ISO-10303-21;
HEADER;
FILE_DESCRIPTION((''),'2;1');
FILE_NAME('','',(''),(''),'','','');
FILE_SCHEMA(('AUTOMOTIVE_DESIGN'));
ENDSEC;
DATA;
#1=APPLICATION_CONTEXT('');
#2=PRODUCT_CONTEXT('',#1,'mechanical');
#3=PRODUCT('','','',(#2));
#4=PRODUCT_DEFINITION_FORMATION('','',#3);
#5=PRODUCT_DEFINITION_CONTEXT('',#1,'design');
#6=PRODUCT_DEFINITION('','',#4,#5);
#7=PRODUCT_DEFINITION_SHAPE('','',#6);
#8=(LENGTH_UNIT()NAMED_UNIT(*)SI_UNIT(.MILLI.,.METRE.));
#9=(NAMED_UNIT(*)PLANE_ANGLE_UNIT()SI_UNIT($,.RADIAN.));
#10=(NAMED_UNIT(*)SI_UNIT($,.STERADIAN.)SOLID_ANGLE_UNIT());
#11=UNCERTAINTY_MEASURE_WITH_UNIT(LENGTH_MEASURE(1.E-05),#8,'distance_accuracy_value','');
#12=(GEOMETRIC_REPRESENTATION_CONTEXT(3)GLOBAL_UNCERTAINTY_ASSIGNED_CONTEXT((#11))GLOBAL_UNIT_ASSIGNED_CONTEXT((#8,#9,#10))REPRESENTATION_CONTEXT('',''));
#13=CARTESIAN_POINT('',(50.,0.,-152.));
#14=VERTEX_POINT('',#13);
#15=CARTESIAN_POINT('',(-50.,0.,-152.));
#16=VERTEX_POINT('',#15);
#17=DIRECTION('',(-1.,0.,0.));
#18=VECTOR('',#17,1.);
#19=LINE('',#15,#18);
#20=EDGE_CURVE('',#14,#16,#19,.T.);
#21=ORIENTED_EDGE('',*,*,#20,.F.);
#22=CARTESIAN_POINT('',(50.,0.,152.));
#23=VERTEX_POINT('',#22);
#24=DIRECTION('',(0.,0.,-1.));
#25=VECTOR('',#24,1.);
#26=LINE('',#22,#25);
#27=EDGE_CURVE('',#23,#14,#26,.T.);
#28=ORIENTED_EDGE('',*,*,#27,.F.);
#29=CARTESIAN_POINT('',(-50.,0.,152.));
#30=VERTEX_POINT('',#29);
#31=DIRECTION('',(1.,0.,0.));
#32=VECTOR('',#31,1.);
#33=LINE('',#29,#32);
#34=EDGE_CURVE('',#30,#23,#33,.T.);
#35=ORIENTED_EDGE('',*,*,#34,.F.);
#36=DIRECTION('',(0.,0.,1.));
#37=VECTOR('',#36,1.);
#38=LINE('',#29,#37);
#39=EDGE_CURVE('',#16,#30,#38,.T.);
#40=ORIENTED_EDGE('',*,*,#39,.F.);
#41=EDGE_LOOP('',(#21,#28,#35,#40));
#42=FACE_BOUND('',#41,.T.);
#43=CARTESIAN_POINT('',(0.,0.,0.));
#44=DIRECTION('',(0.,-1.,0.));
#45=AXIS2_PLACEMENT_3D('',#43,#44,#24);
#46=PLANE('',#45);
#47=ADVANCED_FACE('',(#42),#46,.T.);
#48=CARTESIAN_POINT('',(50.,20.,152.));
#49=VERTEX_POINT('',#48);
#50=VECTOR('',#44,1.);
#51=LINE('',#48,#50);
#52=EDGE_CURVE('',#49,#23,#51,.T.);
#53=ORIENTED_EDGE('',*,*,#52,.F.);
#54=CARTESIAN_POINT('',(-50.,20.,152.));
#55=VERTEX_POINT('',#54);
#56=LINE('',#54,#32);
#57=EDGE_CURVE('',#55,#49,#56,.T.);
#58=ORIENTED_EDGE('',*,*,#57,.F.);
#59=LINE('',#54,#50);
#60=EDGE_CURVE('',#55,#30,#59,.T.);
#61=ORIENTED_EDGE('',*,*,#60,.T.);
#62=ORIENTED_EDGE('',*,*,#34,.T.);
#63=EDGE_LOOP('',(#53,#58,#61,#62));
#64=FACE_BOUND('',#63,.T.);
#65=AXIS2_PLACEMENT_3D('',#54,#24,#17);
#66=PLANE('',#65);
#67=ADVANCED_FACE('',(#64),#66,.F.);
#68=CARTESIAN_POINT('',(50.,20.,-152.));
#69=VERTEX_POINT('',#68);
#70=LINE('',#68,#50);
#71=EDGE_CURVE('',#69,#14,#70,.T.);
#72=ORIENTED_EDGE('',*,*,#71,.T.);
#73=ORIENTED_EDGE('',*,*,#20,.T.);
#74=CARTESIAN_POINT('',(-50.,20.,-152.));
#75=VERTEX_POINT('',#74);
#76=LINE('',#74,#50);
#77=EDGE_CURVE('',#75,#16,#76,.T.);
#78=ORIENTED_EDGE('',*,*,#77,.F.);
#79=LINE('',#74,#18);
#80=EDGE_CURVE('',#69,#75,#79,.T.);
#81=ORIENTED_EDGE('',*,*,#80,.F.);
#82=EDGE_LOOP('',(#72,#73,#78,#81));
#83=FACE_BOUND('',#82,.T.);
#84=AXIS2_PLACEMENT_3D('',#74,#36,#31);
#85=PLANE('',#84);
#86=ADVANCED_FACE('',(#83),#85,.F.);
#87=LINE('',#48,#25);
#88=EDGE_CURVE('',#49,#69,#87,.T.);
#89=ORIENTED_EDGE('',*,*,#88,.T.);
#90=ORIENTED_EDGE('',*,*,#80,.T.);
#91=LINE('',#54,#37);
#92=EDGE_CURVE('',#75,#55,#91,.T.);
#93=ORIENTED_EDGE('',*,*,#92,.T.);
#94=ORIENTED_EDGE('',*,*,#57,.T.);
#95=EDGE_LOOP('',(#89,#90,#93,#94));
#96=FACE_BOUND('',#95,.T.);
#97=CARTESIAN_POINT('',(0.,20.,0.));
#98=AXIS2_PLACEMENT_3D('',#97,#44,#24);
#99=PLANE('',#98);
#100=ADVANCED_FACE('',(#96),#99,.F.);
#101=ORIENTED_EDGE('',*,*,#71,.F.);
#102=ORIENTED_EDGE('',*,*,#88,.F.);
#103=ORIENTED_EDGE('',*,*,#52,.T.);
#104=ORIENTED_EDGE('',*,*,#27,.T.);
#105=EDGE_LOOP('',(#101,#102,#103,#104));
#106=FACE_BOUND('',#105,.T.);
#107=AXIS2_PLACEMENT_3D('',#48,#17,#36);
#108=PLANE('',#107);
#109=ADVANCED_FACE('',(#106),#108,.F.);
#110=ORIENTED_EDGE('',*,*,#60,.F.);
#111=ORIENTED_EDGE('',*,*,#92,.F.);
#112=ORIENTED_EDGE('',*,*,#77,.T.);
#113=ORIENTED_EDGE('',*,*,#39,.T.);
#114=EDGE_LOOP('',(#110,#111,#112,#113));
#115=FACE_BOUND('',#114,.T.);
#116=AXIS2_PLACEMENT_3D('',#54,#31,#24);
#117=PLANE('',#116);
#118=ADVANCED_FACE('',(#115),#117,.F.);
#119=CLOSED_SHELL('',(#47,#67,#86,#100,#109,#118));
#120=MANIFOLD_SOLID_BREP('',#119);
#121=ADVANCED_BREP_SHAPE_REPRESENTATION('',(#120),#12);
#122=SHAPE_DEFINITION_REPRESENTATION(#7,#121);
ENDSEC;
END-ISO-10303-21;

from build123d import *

# Parameters (mm, degrees)
ESQUISSE1_W        = 100
ESQUISSE1_H        = 304
BOSS_EXTRU_1_DEPTH = 20


with BuildPart() as part:
    # Esquisse1 → Boss.-Extru.1 (new body)
    with BuildSketch(Plane(origin=(0, 0, 0), x_dir=(1, 0, 0), z_dir=(0, 1, 0))):
        Rectangle(ESQUISSE1_W, ESQUISSE1_H)
    extrude(amount=BOSS_EXTRU_1_DEPTH)


solid = part.part
